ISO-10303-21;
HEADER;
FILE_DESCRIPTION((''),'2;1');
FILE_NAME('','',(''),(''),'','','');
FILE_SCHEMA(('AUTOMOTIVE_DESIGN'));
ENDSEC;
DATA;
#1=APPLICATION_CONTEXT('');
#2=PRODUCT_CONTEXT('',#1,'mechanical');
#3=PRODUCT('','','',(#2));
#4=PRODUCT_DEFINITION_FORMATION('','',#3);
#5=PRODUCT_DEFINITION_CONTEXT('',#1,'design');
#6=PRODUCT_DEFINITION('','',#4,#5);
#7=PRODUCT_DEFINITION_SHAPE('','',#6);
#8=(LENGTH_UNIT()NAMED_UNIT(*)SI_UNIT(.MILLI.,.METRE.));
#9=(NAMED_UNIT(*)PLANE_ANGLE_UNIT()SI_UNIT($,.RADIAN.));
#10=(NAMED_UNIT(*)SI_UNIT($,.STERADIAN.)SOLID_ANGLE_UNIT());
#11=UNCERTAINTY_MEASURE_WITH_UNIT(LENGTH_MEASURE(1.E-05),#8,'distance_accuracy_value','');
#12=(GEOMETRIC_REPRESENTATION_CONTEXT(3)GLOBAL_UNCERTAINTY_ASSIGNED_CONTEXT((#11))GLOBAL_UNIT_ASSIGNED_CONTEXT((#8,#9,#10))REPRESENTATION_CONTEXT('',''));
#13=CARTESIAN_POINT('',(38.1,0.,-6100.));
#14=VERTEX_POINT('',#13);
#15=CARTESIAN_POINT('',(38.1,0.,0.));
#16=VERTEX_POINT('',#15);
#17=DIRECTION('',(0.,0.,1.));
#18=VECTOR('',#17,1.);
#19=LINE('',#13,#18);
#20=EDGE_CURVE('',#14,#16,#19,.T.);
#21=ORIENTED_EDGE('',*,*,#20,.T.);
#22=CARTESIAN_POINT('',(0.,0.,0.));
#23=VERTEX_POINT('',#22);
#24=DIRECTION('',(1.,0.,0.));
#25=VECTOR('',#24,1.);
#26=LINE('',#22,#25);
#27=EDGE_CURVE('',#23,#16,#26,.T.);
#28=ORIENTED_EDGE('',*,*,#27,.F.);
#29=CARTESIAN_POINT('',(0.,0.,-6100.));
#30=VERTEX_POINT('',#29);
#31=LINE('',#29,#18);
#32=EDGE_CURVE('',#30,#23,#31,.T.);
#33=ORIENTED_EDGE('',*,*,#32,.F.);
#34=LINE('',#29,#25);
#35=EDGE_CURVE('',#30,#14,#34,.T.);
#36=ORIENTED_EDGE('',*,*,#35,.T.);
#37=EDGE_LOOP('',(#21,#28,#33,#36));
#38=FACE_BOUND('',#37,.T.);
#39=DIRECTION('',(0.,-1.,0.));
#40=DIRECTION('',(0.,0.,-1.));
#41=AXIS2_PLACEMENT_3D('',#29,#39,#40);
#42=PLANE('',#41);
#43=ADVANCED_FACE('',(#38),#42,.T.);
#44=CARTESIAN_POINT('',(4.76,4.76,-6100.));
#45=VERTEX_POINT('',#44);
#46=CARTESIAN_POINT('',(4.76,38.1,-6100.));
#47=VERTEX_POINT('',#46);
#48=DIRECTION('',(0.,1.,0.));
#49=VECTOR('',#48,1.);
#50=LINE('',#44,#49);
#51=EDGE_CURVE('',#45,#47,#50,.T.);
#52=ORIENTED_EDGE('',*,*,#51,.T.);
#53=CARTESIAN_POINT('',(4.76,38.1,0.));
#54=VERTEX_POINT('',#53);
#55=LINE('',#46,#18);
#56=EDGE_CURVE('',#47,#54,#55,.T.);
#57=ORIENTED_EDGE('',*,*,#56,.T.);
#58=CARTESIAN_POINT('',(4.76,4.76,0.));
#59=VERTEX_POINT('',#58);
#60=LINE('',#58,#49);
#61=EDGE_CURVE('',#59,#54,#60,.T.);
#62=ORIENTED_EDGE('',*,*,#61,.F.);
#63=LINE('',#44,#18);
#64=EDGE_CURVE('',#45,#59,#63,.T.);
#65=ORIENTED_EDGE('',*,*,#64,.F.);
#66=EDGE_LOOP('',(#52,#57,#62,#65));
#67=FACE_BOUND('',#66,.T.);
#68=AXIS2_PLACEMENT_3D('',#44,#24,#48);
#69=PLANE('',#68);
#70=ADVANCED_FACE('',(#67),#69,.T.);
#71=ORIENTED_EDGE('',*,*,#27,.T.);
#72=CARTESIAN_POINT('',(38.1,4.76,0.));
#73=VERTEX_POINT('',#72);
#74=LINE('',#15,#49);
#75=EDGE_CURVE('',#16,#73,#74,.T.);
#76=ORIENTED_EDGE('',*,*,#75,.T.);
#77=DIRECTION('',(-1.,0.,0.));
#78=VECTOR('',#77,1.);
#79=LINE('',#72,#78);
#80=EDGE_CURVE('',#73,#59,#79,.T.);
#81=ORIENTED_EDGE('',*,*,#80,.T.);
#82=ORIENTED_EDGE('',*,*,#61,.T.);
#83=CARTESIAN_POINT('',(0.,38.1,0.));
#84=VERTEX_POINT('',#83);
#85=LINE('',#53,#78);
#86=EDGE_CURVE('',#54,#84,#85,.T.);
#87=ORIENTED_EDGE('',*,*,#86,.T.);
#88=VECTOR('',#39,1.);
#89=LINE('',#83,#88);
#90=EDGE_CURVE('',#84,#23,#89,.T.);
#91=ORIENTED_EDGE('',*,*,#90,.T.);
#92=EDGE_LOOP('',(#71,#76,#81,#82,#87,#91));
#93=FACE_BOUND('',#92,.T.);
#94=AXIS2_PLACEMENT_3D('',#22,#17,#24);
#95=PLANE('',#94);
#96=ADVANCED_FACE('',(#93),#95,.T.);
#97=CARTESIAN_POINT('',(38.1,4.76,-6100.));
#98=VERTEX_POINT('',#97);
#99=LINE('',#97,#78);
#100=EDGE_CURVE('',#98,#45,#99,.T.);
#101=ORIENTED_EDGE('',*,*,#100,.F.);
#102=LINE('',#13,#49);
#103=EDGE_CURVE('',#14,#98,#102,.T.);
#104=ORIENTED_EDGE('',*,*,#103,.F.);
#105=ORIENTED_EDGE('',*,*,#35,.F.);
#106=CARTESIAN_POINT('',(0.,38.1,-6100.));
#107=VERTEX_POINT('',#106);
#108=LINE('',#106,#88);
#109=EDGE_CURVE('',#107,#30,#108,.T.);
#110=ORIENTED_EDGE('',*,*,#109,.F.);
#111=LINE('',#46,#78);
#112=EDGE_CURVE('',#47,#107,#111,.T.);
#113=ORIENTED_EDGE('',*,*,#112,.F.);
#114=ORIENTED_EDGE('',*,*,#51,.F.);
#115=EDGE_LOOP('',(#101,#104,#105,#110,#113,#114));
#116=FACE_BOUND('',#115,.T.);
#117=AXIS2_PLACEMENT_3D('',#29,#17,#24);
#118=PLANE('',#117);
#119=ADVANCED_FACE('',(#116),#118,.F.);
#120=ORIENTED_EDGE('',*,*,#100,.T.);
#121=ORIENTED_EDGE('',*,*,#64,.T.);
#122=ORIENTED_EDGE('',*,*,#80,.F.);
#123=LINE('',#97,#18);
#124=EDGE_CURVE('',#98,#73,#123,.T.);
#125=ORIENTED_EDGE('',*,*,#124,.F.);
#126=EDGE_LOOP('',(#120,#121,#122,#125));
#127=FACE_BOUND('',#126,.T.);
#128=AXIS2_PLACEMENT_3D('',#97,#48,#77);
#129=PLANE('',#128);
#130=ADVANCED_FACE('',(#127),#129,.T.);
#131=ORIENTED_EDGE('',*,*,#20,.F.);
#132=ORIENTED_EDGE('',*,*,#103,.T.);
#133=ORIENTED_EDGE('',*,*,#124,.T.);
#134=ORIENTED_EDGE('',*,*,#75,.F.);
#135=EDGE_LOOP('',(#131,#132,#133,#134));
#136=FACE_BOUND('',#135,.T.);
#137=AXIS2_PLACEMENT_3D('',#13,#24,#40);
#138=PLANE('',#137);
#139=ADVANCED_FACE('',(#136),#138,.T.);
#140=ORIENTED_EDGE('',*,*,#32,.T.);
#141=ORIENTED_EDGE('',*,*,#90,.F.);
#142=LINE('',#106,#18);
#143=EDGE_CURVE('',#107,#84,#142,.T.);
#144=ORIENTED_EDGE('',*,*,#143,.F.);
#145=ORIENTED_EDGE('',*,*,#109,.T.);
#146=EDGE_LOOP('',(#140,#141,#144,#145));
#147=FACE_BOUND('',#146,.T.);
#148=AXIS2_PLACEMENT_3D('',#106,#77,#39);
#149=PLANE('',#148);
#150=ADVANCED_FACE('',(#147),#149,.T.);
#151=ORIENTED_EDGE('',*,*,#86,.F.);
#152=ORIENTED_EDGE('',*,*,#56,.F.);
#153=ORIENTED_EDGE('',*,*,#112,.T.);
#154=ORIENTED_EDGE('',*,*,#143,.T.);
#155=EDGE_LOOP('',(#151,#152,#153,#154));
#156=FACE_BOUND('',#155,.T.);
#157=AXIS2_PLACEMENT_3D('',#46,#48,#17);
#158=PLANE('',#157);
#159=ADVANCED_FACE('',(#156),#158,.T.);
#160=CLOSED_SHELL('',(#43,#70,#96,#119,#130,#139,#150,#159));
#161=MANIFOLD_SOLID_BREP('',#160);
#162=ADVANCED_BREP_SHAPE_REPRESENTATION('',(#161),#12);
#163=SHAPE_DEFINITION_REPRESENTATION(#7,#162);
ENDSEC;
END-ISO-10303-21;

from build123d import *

# Parameters (mm, degrees)
SALIENTE_EXTRUIR1_DEPTH = 6100


with BuildPart() as part:
    # Croquis1 → Saliente-Extruir1 (new body)
    with BuildSketch(Plane.XY):
        Polygon((0, 38.1), (0, 0), (38.1, 0), (38.1, 4.76), (4.76, 4.76), (4.76, 38.1), align=None)
    extrude(amount=-SALIENTE_EXTRUIR1_DEPTH)


solid = part.part
